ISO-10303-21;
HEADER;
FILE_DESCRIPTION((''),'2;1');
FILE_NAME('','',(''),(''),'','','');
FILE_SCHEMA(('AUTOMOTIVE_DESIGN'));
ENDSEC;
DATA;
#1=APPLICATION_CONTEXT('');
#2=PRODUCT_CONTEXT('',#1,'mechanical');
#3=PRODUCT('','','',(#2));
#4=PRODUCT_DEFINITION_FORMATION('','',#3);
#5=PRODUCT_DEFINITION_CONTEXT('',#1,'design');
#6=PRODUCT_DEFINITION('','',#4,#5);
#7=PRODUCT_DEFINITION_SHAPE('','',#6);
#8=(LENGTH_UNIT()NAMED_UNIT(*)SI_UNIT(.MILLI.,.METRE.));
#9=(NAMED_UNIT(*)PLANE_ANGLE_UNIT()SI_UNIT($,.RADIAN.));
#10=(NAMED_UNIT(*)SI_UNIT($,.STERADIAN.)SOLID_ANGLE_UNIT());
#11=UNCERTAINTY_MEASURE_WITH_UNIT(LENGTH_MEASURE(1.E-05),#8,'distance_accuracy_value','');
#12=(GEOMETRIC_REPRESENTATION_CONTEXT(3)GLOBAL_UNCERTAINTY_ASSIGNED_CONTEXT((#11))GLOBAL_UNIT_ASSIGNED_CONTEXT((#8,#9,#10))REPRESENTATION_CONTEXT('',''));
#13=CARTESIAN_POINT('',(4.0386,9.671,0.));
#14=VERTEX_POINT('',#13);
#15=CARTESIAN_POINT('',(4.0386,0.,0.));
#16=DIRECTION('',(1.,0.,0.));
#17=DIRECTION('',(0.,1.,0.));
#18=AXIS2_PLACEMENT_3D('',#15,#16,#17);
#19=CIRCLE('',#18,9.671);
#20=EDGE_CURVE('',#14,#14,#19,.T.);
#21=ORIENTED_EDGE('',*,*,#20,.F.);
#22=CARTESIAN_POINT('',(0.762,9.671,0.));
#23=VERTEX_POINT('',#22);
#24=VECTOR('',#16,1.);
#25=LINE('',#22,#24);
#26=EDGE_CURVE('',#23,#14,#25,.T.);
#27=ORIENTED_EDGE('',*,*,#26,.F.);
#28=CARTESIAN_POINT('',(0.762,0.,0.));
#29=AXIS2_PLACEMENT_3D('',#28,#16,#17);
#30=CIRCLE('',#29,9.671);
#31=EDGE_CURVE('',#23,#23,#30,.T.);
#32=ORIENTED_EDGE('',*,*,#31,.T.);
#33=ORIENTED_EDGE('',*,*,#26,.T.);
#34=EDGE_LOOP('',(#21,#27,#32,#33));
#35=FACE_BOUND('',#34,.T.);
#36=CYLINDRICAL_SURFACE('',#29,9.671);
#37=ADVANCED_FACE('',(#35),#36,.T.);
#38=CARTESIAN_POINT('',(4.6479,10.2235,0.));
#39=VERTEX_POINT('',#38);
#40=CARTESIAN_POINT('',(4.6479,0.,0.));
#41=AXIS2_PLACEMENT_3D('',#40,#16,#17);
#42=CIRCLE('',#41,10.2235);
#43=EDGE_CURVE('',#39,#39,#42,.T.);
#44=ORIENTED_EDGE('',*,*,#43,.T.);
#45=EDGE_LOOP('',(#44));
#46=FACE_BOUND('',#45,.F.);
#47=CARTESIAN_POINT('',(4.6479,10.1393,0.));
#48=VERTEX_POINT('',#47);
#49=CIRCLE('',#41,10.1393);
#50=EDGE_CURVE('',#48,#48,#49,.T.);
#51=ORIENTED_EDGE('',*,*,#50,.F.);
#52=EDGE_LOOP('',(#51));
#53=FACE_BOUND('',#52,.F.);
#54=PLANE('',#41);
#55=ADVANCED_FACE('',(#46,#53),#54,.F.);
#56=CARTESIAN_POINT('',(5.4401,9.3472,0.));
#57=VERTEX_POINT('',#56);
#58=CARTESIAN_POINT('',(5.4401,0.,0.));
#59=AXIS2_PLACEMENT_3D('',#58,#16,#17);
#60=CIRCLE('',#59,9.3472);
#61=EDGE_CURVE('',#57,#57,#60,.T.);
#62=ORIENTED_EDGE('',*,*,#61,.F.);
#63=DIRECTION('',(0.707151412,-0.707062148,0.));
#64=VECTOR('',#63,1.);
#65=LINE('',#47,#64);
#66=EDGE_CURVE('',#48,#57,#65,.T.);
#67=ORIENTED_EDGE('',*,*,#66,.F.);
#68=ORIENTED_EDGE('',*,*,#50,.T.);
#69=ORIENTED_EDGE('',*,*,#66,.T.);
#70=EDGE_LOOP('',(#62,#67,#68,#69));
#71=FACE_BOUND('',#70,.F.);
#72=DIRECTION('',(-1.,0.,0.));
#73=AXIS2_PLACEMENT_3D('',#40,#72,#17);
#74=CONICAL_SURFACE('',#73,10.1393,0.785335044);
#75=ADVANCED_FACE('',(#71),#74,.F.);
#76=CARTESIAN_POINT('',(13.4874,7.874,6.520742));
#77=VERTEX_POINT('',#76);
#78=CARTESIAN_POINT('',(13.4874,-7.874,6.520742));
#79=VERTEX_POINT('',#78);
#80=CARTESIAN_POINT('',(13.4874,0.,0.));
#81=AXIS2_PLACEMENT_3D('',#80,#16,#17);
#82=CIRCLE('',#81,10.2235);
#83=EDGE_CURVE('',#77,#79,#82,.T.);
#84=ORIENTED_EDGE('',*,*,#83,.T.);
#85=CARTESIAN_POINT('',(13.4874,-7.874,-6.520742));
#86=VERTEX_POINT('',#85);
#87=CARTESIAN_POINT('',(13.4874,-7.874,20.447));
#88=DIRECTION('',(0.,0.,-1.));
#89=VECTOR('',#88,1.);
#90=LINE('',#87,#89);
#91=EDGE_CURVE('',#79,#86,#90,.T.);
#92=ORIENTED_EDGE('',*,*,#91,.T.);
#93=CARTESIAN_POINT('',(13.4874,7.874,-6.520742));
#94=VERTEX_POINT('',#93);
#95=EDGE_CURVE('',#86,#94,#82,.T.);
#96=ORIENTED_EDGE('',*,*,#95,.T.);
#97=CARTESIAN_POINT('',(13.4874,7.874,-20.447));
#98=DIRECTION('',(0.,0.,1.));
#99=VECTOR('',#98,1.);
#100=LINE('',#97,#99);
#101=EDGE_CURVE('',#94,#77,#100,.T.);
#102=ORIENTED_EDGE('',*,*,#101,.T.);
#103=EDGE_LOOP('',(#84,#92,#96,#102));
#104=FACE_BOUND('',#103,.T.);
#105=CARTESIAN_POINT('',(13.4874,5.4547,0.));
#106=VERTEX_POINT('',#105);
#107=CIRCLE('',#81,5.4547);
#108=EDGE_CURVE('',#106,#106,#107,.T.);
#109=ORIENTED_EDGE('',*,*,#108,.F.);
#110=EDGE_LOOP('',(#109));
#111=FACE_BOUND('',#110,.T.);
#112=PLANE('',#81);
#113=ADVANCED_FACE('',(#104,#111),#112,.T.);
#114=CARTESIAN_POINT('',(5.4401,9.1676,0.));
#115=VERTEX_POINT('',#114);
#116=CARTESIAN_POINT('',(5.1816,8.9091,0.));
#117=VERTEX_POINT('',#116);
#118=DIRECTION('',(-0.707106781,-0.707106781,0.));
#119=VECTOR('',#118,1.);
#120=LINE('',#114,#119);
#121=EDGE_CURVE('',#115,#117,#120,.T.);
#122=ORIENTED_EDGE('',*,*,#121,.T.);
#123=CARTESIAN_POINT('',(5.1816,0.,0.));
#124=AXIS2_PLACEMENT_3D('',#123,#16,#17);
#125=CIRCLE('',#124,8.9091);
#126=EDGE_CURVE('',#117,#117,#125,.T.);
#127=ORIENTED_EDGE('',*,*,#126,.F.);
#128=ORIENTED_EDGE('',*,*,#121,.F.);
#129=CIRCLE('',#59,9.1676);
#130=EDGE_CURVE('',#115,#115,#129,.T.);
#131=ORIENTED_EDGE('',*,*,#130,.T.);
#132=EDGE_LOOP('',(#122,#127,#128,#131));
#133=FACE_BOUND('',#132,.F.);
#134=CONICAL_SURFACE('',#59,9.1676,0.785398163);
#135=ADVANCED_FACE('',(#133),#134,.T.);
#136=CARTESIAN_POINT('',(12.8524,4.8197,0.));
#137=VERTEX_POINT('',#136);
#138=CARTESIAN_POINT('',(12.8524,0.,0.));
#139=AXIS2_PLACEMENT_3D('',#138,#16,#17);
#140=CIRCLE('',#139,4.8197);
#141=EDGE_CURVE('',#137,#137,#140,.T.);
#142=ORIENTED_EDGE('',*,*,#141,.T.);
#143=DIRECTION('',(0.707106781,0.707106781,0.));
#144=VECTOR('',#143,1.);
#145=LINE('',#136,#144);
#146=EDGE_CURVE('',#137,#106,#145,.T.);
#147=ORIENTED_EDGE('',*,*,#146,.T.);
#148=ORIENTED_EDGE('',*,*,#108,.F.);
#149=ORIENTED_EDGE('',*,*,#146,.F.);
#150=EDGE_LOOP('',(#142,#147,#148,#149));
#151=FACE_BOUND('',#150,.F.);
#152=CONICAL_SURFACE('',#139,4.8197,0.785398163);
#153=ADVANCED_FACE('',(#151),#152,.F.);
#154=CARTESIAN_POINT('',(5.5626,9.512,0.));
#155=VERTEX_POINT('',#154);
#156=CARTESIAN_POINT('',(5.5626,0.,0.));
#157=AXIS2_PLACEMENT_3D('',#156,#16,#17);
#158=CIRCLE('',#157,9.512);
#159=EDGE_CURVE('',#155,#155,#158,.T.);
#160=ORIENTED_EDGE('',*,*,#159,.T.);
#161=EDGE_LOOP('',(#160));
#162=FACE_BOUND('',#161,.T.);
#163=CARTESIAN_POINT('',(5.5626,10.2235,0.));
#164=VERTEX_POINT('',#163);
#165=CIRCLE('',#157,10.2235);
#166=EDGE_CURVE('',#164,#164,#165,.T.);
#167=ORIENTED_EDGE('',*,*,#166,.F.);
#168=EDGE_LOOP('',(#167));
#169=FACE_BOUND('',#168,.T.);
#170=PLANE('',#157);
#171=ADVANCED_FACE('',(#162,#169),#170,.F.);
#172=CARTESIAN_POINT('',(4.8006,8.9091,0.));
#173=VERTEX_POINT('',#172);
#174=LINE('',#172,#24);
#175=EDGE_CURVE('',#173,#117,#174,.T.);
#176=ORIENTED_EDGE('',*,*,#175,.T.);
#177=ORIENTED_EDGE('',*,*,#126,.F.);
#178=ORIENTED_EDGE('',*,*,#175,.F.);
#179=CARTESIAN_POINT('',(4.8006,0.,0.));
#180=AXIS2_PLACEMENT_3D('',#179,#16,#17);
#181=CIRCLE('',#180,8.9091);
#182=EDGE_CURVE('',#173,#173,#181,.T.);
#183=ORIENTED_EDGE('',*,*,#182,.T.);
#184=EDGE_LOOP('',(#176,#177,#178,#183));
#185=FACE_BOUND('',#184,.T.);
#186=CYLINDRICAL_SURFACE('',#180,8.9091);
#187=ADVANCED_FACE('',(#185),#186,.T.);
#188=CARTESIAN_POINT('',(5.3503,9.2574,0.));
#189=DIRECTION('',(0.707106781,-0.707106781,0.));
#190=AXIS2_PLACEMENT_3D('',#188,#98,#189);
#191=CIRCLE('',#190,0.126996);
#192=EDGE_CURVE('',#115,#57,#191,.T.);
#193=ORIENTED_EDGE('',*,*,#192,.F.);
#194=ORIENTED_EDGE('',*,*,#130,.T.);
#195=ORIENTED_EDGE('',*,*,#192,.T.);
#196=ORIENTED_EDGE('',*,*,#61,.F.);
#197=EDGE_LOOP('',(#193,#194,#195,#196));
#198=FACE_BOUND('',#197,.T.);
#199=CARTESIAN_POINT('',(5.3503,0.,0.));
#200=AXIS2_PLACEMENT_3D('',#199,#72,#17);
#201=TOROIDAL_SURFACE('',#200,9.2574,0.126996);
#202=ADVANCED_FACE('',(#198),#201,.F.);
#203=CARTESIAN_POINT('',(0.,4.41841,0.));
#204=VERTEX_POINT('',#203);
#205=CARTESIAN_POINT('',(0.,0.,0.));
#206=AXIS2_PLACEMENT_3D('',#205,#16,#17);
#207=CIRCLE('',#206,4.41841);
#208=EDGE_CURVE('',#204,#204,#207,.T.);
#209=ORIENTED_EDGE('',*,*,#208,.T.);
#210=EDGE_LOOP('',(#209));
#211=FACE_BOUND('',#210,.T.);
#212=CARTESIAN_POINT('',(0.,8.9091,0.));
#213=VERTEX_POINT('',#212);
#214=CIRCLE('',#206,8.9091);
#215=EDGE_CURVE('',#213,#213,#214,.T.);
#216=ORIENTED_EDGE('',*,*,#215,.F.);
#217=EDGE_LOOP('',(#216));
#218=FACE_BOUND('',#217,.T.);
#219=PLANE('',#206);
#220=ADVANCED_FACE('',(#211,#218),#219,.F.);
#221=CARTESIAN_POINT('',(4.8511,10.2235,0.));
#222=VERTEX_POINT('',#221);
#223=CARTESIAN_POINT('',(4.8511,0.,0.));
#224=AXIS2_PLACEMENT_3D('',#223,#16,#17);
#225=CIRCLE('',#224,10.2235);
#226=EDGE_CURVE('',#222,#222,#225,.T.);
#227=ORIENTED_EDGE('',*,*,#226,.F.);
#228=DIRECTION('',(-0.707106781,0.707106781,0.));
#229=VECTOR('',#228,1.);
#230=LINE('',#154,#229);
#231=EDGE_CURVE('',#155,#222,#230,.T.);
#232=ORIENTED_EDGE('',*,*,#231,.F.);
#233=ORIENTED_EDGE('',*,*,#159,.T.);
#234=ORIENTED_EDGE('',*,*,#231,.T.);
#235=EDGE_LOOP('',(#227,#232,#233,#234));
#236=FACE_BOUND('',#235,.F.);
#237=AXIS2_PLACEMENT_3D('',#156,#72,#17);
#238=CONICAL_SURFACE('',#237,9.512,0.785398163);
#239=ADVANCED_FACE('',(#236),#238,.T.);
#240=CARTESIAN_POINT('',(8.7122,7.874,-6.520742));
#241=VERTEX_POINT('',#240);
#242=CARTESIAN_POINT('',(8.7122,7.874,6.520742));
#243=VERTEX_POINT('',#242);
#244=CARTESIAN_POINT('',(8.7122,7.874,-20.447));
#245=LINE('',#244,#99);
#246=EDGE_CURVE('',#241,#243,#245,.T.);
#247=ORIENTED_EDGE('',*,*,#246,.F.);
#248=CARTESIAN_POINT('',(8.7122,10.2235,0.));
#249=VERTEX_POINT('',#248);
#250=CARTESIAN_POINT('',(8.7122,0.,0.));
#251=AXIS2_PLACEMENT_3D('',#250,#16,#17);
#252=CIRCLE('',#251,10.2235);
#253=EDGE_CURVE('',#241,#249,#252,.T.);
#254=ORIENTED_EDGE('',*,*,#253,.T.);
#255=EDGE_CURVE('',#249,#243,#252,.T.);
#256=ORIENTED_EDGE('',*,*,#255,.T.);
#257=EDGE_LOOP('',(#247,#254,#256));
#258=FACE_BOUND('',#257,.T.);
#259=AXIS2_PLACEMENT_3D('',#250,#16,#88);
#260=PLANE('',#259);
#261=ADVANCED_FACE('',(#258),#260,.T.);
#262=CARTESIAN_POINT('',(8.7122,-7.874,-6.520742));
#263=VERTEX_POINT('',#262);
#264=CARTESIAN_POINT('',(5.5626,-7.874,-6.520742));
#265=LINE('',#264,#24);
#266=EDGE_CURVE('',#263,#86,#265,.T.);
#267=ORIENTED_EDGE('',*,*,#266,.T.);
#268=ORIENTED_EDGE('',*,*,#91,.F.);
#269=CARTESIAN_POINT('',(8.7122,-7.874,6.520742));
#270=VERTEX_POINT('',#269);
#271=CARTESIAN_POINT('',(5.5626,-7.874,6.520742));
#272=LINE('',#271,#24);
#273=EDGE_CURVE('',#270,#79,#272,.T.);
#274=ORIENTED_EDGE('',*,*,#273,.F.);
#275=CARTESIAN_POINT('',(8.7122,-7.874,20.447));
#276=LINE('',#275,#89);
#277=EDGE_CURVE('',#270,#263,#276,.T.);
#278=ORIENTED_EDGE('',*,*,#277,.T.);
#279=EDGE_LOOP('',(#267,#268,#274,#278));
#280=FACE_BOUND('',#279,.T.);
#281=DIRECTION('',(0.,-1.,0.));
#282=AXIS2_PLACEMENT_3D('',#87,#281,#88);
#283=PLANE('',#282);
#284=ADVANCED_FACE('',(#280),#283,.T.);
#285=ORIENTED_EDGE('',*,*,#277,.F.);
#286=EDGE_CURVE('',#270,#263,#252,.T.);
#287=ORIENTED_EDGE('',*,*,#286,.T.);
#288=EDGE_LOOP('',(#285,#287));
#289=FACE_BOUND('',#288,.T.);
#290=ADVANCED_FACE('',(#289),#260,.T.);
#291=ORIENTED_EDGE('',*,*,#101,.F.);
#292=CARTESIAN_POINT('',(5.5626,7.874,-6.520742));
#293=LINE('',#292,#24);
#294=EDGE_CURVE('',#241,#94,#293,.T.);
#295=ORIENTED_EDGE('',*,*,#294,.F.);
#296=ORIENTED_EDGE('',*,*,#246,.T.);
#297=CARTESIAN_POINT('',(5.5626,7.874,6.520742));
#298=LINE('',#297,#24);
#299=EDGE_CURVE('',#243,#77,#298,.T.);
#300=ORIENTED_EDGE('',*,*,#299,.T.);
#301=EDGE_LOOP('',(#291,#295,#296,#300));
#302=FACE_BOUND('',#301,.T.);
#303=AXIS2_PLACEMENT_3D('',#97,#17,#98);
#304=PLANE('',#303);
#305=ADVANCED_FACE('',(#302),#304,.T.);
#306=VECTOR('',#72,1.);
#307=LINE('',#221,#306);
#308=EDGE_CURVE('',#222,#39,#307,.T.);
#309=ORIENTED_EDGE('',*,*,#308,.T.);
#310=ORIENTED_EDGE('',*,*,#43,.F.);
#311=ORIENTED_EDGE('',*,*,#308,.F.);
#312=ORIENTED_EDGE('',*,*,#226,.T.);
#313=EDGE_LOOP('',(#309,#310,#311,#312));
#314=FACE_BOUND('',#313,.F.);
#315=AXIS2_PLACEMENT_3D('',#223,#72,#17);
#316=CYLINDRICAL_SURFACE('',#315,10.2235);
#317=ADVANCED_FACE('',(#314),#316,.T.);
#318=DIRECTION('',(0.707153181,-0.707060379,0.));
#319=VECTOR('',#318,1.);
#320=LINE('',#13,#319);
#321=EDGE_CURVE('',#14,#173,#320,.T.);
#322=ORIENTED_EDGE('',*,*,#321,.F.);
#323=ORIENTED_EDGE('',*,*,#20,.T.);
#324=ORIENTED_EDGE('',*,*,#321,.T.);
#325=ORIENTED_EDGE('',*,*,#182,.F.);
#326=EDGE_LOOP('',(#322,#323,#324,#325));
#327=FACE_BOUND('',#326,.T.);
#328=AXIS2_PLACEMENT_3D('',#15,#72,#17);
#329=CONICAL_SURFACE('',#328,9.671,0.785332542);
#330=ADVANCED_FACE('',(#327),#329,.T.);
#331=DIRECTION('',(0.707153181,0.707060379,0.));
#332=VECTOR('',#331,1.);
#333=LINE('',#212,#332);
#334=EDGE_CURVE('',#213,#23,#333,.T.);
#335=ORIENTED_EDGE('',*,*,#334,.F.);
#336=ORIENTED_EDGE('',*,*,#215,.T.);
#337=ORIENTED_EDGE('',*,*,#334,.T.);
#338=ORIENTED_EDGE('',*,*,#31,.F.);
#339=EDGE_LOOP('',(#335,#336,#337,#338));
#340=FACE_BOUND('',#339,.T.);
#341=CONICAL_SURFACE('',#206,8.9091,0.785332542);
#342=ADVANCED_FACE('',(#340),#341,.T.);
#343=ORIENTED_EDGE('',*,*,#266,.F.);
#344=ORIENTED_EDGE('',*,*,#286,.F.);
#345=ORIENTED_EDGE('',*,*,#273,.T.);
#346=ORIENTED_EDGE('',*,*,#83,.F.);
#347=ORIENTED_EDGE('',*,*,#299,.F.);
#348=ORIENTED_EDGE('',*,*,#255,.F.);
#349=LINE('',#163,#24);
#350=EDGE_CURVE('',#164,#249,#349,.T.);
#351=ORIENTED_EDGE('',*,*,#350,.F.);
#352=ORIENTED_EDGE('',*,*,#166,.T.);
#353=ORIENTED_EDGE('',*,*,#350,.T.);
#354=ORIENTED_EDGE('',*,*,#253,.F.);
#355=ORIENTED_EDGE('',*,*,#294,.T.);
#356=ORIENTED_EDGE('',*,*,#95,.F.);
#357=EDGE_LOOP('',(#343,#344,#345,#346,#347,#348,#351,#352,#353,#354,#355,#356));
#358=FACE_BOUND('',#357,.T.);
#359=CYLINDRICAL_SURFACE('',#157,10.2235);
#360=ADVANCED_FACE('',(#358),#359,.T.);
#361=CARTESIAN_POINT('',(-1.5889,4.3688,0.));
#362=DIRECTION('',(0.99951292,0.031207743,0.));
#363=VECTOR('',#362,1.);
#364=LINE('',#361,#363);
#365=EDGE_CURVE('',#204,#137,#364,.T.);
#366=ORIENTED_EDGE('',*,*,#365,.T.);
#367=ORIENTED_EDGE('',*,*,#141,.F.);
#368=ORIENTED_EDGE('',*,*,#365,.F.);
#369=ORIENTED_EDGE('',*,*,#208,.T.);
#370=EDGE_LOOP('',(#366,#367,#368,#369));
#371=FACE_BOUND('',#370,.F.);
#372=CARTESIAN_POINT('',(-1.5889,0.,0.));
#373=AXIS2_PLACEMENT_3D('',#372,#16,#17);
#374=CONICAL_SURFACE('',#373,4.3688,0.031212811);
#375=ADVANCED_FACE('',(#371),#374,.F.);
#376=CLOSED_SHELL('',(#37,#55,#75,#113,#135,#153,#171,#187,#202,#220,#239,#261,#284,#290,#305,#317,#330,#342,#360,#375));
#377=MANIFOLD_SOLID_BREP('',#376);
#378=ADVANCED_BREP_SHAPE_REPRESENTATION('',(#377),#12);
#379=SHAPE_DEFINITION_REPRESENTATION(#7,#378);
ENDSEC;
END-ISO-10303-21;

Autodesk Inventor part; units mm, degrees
sketch "Sketch_1" plane through (0, 0, 0) normal (0, 0, 1) x (1, 0, 0)
  line L0 (13.4874, 0) -> (0, 0)
  line L1 (0, 0) -> (0, 8.9091)
  line L2 (0, 8.9091) -> (0.762, 9.671)
  line L3 (0.762, 9.671) -> (4.0386, 9.671)
  line L4 (4.0386, 9.671) -> (4.8006, 8.9091)
  line L5 (4.8006, 8.9091) -> (5.5626, 8.9091)
  line L6 (5.5626, 8.9091) -> (5.5626, 10.2235)
  line L7 (5.5626, 10.2235) -> (13.4874, 10.2235)
  line L8 (13.4874, 10.2235) -> (13.4874, 0)
  line L9 (13.4874, 0) -> (0, 0)
revolve "Revolution1" add sketch "Sketch_1" angle 360 about axis through (13.4874, 0, 0) along (1, 0, 0)
sketch "Sketch_6" plane through (0, 0, 0) normal (0, 0, 1) x (1, 0, 0)
  line L0 (13.4874, 0) -> (0, 0)
  line L1 (0, 0) -> (0, 4.3688)
  line L2 (0, 4.3688) -> (-1.5889, 4.3688)
  line L3 (-1.5889, 4.3688) -> (12.8524, 4.8197)
  line L4 (12.8524, 4.8197) -> (13.4874, 5.4547)
  line L5 (13.4874, 5.4547) -> (13.4874, 0)
  line L6 (13.4874, 0) -> (0, 0)
revolve "Revolution2" cut sketch "Sketch_6" angle 360 about axis through (13.4874, 0, 0) along (1, 0, 0)
thread "Thread1" size "1/8" designation "1/8 - 27 NPT" standard "NPT" length 7.6708 offset 5.8029
sketch "Sketch_5" plane through (13.4874, 0, 0) normal (1, 0, 0) x (0, 0, -1)
  line L0 (-40.894, 20.447) -> (-40.894, -20.447)
  line L1 (-40.894, -20.447) -> (40.894, -20.447)
  line L2 (40.894, -20.447) -> (40.894, 20.447)
  line L3 (40.894, 20.447) -> (-40.894, 20.447)
  line L4 (-20.447, 7.874) -> (-20.447, -7.874)
  line L5 (-20.447, -7.874) -> (20.447, -7.874)
  line L6 (20.447, -7.874) -> (20.447, 7.874)
  line L7 (20.447, 7.874) -> (-20.447, 7.874)
extrude "Extrusion1" cut sketch "Sketch_5" against normal blind 4.7752
sketch "Sketch_24" plane through (0, 0, 0) normal (0, 0, 1) x (1, 0, 0)
  line L0 (5.5626, 0) -> (4.8006, 0)
  line L1 (4.6479, 10.1393) -> (5.4401, 9.3472)
  arc A0 (5.4401, 9.1676) -> (5.4401, 9.3472) centre (5.3503, 9.2574) ccw
  line L2 (5.4401, 9.1676) -> (5.1816, 8.9091)
  line L3 (5.1816, 8.9091) -> (4.8006, 8.9091)
  line L4 (4.8006, 8.9091) -> (4.8006, 8.655)
  line L5 (4.8006, 8.655) -> (5.5626, 8.655)
  line L6 (5.5626, 8.655) -> (5.5626, 9.512)
  line L7 (5.5626, 9.512) -> (4.8511, 10.2235)
  line L8 (4.8511, 10.2235) -> (4.6479, 10.2235)
  line L9 (4.6479, 10.2235) -> (4.6479, 10.1393)
revolve "Revolution3" add sketch "Sketch_24" angle 360 about axis through (5.5626, 0, 0) along (1, 0, 0)
ref_plane "cut1_XY" through (13.4874, 7.874, 0) normal (1, 0, 0) x (0, 0, -1)
ref_plane "cut1_YZ" through (13.4874, 7.874, 0) normal (0, 0, -1) x (0, 1, 0)
ref_plane "cut1_ZX" through (13.4874, 7.874, 0) normal (0, 1, 0) x (1, 0, 0)
ref_plane "cut2_XY" through (13.4874, -7.874, 0) normal (1, 0, 0) x (0, 0, -1)
ref_plane "cut2_YZ" through (13.4874, -7.874, 0) normal (0, 0, -1) x (0, 1, 0)
ref_plane "cut2_ZX" through (13.4874, -7.874, 0) normal (0, 1, 0) x (1, 0, 0)
ref_plane "to_tube_XY" through (4.8006, 0, 0) normal (1, 0, 0) x (0, 0, -1)
ref_plane "to_tube_YZ" through (4.8006, 0, 0) normal (0, 0, -1) x (0, 1, 0)
ref_plane "to_tube_ZX" through (4.8006, 0, 0) normal (0, 1, 0) x (1, 0, 0)
ref_plane "lovra_XY" through (13.4874, 0, 0) normal (1, 0, 0) x (0, 1, 0)
ref_plane "lovra_YZ" through (13.4874, 0, 0) normal (0, 1, 0) x (0, 0, 1)
ref_plane "lovra_ZX" through (13.4874, 0, 0) normal (0, 0, 1) x (1, 0, 0)
ref_plane "to_nut_XY" through (0, 0, 0) normal (1, 0, 0) x (0, 0, -1)
ref_plane "to_nut_YZ" through (0, 0, 0) normal (0, 0, -1) x (0, 1, 0)
ref_plane "to_nut_ZX" through (0, 0, 0) normal (0, 1, 0) x (1, 0, 0)
ref_plane "lovra1_XY" through (8.7122, 0, 0) normal (1, 0, 0) x (0, 0, -1)
ref_plane "lovra1_YZ" through (8.7122, 0, 0) normal (0, 0, -1) x (0, 1, 0)
ref_plane "lovra1_ZX" through (8.7122, 0, 0) normal (0, 1, 0) x (1, 0, 0)
ref_plane "lovra2_XY" through (8.7122, 7.874, 0) normal (1, 0, 0) x (0, 0, -1)
ref_plane "lovra2_YZ" through (8.7122, 7.874, 0) normal (0, 0, -1) x (0, 1, 0)
ref_plane "lovra2_ZX" through (8.7122, 7.874, 0) normal (0, 1, 0) x (1, 0, 0)
ref_plane "lovra3_XY" through (8.7122, -7.874, 0) normal (1, 0, 0) x (0, 0, -1)
ref_plane "lovra3_YZ" through (8.7122, -7.874, 0) normal (0, 0, -1) x (0, 1, 0)
ref_plane "lovra3_ZX" through (8.7122, -7.874, 0) normal (0, 1, 0) x (1, 0, 0)
ref_plane "to_pin_XY" through (33.3248, 0, 0) normal (0, 0, 1) x (1, 0, 0)
ref_plane "to_pin_YZ" through (33.3248, 0, 0) normal (1, 0, 0) x (0, 1, 0)
ref_plane "to_pin_ZX" through (33.3248, 0, 0) normal (0, 1, 0) x (0, 0, 1)
ref_plane "olen_XY" through (13.4874, 0, 0) normal (1, 0, 0) x (0, 0, -1)
ref_plane "olen_YZ" through (13.4874, 0, 0) normal (0, 0, -1) x (0, 1, 0)
ref_plane "olen_ZX" through (13.4874, 0, 0) normal (0, 1, 0) x (1, 0, 0)
ref_plane "cutf1_XY" through (13.4874, 0, 0) normal (0, 0, 1) x (1, 0, 0)
ref_plane "cutf1_YZ" through (13.4874, 0, 0) normal (1, 0, 0) x (0, 1, 0)
ref_plane "cutf1_ZX" through (13.4874, 0, 0) normal (0, 1, 0) x (0, 0, 1)
ref_plane "cutf2_XY" through (8.7122, 0, 0) normal (0, 0, 1) x (1, 0, 0)
ref_plane "cutf2_YZ" through (8.7122, 0, 0) normal (1, 0, 0) x (0, 1, 0)
ref_plane "cutf2_ZX" through (8.7122, 0, 0) normal (0, 1, 0) x (0, 0, 1)
ref_plane "lovra21_XY" through (0, 0, 5.2705) normal (1, 0, 0) x (0, 0, -1)
ref_plane "lovra21_YZ" through (0, 0, 5.2705) normal (0, 0, -1) x (0, 1, 0)
ref_plane "lovra21_ZX" through (0, 0, 5.2705) normal (0, 1, 0) x (1, 0, 0)
ref_plane "lovra22_XY" through (0, 0, -5.2705) normal (1, 0, 0) x (0, 0, -1)
ref_plane "lovra22_YZ" through (0, 0, -5.2705) normal (0, 0, -1) x (0, 1, 0)
ref_plane "lovra22_ZX" through (0, 0, -5.2705) normal (0, 1, 0) x (1, 0, 0)
ref_plane "to_screw_XY" through (17.4752, 2.032, -6.0452) normal (0, 1, 0) x (1, 0, 0)
ref_plane "to_screw_YZ" through (17.4752, 2.032, -6.0452) normal (1, 0, 0) x (0, 0, -1)
ref_plane "to_screw_ZX" through (17.4752, 2.032, -6.0452) normal (0, 0, -1) x (0, 1, 0)
ref_plane "to_mounting_bracket_XY" through (24.6126, 0, 0) normal (1, 0, 0) x (0, 0, -1)
ref_plane "to_mounting_bracket_YZ" through (24.6126, 0, 0) normal (0, 0, -1) x (0, 1, 0)
ref_plane "to_mounting_bracket_ZX" through (24.6126, 0, 0) normal (0, 1, 0) x (1, 0, 0)
properties part number "040000_rear_head"
